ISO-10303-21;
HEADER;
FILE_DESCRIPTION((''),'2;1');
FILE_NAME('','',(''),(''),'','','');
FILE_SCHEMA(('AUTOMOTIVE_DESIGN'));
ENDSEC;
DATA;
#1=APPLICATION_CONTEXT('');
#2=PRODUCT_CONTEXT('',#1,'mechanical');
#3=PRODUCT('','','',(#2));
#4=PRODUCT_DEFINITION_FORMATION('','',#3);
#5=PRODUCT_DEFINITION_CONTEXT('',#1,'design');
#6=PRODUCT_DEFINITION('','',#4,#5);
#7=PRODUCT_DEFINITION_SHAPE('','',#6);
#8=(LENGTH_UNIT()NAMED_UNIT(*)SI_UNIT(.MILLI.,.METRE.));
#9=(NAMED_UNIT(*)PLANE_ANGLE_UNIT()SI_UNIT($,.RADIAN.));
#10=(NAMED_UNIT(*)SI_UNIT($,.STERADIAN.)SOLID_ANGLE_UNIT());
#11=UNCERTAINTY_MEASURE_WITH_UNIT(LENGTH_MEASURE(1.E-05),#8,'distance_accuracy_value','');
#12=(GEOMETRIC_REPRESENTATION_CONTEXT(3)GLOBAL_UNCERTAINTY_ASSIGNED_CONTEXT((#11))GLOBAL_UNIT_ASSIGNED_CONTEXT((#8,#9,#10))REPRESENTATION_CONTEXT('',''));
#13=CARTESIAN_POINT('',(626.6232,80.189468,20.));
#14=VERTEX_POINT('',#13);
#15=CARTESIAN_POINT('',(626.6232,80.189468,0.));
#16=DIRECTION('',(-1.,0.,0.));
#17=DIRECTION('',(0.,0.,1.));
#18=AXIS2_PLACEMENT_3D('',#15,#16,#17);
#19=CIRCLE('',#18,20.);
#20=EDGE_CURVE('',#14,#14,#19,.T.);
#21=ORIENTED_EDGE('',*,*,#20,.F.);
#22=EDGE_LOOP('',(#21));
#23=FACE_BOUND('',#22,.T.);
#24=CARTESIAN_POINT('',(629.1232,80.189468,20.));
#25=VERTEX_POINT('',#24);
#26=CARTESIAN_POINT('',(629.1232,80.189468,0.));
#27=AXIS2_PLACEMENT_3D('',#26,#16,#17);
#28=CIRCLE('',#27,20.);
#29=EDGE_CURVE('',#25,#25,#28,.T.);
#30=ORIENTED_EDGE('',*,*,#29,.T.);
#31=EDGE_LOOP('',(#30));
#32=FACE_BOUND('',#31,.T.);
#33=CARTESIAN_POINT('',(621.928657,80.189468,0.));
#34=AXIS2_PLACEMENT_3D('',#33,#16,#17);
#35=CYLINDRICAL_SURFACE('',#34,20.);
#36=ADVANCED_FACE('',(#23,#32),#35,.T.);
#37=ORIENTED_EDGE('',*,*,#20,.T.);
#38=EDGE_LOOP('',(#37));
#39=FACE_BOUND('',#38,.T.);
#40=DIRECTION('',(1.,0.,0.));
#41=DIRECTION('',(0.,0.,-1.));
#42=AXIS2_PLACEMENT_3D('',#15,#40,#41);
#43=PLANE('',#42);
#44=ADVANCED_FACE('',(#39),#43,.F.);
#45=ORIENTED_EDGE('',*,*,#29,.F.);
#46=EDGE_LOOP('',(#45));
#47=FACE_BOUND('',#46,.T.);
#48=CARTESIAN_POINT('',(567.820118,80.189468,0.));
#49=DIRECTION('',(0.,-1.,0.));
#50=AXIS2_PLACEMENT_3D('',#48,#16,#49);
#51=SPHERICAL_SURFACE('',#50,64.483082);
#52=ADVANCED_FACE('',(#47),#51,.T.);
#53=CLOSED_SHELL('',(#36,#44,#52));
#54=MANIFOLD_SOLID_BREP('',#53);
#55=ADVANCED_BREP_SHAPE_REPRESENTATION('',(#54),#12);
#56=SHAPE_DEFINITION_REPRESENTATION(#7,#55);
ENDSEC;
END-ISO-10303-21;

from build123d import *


with BuildPart() as part:
    # 草图1 → 旋转1 (revolve)
    with BuildSketch(Plane.XY, mode=Mode.PRIVATE) as revolve_1_sk:
        with BuildLine():
            Line((626.62320002, 80.189467728), (626.62320002, 100.189467728))
            Line((626.62320002, 100.189467728), (629.12320002, 100.189467728))
            ThreePointArc((629.12320002, 100.189467728), (631.503237948, 90.315083759), (632.30320002, 80.189467728))
            Line((632.30320002, 80.189467728), (626.62320002, 80.189467728))
        make_face()
    revolve(revolve_1_sk.sketch.rotate(Axis((621.928656839, 80.189467728, 0), (1, 0, 0)), 180), axis=Axis((621.928656839, 80.189467728, 0), (1, 0, 0)))  # turned: the seam where the file's is


solid = part.part
